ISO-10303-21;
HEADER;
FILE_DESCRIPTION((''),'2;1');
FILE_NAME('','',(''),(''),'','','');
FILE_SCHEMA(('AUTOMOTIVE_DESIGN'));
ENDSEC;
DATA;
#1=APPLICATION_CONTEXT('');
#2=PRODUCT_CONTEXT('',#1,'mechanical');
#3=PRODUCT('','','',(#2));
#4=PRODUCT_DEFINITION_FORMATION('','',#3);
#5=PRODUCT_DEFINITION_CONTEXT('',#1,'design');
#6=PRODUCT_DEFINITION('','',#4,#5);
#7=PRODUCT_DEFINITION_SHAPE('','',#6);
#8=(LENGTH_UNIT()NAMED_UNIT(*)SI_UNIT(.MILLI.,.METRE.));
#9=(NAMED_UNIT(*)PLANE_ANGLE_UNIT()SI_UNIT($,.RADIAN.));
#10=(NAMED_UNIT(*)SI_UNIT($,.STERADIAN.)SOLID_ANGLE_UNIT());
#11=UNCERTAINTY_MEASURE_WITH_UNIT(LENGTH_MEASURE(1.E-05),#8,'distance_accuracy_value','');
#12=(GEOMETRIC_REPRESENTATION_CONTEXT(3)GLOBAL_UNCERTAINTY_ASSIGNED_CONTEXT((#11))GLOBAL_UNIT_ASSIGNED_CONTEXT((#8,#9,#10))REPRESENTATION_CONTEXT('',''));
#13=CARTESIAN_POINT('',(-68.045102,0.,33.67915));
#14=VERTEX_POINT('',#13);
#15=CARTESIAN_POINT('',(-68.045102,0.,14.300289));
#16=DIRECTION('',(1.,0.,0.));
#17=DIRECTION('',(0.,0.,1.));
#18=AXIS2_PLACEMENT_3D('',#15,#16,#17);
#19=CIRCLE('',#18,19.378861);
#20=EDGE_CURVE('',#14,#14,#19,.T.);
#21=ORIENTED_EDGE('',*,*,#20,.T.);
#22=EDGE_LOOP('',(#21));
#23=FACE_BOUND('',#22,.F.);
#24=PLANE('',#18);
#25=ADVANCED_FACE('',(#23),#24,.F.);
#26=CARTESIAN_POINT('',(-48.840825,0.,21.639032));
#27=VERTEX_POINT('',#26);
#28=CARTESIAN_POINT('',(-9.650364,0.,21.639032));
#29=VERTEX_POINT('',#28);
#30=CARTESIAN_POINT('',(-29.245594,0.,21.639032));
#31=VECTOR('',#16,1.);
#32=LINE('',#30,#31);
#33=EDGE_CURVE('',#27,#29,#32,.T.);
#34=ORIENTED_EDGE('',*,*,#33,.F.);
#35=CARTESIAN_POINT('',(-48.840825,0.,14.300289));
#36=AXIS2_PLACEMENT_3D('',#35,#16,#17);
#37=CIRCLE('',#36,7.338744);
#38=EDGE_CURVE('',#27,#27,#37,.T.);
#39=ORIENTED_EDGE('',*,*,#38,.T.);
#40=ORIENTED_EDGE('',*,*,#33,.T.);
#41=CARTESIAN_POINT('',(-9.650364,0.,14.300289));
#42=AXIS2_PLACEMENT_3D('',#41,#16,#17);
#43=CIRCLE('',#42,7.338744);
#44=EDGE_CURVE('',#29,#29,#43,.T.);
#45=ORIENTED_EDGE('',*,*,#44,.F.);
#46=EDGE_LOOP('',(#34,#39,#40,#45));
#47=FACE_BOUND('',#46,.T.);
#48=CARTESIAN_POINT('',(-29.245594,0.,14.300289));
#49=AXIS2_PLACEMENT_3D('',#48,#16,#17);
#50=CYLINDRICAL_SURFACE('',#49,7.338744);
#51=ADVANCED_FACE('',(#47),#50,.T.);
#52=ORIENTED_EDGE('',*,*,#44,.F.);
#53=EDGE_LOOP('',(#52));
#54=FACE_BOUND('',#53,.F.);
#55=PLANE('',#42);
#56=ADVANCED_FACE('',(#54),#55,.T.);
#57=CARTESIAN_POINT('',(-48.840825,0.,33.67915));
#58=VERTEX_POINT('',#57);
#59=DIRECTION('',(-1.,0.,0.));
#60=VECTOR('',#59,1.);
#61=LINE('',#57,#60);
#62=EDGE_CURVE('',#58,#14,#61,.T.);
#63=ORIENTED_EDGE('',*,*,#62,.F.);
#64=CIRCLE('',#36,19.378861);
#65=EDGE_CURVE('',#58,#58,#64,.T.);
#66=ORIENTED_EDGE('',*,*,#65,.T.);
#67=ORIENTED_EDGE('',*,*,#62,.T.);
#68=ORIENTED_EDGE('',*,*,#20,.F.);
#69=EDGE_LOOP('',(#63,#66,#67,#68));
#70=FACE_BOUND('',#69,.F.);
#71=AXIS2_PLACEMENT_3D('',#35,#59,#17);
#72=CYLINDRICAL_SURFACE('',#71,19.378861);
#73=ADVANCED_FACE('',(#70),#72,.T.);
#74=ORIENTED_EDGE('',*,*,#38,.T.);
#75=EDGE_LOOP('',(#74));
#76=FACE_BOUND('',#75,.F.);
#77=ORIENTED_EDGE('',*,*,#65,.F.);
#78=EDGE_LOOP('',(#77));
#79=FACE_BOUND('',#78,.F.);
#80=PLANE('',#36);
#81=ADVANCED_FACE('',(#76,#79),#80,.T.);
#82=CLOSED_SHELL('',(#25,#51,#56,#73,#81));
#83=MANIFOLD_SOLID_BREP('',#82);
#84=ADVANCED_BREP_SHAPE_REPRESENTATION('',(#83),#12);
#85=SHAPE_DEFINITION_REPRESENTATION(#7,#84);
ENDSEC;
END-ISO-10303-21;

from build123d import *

# Parameters (mm, degrees)
F0_W = 39.1904609278
F0_H = 7.3387436569


with BuildPart() as f1:
    # F0 (on Front) → F1 (revolve)
    with BuildSketch(Plane.XZ):
        Polygon((-48.8408245146, 33.6791500449), (-68.0451020598, 33.6791500449), (-68.0451020598, 14.3002886325), (-48.8408245146, 14.3002886325), (-48.8408245146, 21.6390322894), align=None)
        with Locations((-29.2455940507, 17.9696604609)):
            Rectangle(F0_W, F0_H)
    revolve(axis=Axis((-38.2777928608, 0, 14.3002886325), (1, 0, 0)))


solid = f1.part
